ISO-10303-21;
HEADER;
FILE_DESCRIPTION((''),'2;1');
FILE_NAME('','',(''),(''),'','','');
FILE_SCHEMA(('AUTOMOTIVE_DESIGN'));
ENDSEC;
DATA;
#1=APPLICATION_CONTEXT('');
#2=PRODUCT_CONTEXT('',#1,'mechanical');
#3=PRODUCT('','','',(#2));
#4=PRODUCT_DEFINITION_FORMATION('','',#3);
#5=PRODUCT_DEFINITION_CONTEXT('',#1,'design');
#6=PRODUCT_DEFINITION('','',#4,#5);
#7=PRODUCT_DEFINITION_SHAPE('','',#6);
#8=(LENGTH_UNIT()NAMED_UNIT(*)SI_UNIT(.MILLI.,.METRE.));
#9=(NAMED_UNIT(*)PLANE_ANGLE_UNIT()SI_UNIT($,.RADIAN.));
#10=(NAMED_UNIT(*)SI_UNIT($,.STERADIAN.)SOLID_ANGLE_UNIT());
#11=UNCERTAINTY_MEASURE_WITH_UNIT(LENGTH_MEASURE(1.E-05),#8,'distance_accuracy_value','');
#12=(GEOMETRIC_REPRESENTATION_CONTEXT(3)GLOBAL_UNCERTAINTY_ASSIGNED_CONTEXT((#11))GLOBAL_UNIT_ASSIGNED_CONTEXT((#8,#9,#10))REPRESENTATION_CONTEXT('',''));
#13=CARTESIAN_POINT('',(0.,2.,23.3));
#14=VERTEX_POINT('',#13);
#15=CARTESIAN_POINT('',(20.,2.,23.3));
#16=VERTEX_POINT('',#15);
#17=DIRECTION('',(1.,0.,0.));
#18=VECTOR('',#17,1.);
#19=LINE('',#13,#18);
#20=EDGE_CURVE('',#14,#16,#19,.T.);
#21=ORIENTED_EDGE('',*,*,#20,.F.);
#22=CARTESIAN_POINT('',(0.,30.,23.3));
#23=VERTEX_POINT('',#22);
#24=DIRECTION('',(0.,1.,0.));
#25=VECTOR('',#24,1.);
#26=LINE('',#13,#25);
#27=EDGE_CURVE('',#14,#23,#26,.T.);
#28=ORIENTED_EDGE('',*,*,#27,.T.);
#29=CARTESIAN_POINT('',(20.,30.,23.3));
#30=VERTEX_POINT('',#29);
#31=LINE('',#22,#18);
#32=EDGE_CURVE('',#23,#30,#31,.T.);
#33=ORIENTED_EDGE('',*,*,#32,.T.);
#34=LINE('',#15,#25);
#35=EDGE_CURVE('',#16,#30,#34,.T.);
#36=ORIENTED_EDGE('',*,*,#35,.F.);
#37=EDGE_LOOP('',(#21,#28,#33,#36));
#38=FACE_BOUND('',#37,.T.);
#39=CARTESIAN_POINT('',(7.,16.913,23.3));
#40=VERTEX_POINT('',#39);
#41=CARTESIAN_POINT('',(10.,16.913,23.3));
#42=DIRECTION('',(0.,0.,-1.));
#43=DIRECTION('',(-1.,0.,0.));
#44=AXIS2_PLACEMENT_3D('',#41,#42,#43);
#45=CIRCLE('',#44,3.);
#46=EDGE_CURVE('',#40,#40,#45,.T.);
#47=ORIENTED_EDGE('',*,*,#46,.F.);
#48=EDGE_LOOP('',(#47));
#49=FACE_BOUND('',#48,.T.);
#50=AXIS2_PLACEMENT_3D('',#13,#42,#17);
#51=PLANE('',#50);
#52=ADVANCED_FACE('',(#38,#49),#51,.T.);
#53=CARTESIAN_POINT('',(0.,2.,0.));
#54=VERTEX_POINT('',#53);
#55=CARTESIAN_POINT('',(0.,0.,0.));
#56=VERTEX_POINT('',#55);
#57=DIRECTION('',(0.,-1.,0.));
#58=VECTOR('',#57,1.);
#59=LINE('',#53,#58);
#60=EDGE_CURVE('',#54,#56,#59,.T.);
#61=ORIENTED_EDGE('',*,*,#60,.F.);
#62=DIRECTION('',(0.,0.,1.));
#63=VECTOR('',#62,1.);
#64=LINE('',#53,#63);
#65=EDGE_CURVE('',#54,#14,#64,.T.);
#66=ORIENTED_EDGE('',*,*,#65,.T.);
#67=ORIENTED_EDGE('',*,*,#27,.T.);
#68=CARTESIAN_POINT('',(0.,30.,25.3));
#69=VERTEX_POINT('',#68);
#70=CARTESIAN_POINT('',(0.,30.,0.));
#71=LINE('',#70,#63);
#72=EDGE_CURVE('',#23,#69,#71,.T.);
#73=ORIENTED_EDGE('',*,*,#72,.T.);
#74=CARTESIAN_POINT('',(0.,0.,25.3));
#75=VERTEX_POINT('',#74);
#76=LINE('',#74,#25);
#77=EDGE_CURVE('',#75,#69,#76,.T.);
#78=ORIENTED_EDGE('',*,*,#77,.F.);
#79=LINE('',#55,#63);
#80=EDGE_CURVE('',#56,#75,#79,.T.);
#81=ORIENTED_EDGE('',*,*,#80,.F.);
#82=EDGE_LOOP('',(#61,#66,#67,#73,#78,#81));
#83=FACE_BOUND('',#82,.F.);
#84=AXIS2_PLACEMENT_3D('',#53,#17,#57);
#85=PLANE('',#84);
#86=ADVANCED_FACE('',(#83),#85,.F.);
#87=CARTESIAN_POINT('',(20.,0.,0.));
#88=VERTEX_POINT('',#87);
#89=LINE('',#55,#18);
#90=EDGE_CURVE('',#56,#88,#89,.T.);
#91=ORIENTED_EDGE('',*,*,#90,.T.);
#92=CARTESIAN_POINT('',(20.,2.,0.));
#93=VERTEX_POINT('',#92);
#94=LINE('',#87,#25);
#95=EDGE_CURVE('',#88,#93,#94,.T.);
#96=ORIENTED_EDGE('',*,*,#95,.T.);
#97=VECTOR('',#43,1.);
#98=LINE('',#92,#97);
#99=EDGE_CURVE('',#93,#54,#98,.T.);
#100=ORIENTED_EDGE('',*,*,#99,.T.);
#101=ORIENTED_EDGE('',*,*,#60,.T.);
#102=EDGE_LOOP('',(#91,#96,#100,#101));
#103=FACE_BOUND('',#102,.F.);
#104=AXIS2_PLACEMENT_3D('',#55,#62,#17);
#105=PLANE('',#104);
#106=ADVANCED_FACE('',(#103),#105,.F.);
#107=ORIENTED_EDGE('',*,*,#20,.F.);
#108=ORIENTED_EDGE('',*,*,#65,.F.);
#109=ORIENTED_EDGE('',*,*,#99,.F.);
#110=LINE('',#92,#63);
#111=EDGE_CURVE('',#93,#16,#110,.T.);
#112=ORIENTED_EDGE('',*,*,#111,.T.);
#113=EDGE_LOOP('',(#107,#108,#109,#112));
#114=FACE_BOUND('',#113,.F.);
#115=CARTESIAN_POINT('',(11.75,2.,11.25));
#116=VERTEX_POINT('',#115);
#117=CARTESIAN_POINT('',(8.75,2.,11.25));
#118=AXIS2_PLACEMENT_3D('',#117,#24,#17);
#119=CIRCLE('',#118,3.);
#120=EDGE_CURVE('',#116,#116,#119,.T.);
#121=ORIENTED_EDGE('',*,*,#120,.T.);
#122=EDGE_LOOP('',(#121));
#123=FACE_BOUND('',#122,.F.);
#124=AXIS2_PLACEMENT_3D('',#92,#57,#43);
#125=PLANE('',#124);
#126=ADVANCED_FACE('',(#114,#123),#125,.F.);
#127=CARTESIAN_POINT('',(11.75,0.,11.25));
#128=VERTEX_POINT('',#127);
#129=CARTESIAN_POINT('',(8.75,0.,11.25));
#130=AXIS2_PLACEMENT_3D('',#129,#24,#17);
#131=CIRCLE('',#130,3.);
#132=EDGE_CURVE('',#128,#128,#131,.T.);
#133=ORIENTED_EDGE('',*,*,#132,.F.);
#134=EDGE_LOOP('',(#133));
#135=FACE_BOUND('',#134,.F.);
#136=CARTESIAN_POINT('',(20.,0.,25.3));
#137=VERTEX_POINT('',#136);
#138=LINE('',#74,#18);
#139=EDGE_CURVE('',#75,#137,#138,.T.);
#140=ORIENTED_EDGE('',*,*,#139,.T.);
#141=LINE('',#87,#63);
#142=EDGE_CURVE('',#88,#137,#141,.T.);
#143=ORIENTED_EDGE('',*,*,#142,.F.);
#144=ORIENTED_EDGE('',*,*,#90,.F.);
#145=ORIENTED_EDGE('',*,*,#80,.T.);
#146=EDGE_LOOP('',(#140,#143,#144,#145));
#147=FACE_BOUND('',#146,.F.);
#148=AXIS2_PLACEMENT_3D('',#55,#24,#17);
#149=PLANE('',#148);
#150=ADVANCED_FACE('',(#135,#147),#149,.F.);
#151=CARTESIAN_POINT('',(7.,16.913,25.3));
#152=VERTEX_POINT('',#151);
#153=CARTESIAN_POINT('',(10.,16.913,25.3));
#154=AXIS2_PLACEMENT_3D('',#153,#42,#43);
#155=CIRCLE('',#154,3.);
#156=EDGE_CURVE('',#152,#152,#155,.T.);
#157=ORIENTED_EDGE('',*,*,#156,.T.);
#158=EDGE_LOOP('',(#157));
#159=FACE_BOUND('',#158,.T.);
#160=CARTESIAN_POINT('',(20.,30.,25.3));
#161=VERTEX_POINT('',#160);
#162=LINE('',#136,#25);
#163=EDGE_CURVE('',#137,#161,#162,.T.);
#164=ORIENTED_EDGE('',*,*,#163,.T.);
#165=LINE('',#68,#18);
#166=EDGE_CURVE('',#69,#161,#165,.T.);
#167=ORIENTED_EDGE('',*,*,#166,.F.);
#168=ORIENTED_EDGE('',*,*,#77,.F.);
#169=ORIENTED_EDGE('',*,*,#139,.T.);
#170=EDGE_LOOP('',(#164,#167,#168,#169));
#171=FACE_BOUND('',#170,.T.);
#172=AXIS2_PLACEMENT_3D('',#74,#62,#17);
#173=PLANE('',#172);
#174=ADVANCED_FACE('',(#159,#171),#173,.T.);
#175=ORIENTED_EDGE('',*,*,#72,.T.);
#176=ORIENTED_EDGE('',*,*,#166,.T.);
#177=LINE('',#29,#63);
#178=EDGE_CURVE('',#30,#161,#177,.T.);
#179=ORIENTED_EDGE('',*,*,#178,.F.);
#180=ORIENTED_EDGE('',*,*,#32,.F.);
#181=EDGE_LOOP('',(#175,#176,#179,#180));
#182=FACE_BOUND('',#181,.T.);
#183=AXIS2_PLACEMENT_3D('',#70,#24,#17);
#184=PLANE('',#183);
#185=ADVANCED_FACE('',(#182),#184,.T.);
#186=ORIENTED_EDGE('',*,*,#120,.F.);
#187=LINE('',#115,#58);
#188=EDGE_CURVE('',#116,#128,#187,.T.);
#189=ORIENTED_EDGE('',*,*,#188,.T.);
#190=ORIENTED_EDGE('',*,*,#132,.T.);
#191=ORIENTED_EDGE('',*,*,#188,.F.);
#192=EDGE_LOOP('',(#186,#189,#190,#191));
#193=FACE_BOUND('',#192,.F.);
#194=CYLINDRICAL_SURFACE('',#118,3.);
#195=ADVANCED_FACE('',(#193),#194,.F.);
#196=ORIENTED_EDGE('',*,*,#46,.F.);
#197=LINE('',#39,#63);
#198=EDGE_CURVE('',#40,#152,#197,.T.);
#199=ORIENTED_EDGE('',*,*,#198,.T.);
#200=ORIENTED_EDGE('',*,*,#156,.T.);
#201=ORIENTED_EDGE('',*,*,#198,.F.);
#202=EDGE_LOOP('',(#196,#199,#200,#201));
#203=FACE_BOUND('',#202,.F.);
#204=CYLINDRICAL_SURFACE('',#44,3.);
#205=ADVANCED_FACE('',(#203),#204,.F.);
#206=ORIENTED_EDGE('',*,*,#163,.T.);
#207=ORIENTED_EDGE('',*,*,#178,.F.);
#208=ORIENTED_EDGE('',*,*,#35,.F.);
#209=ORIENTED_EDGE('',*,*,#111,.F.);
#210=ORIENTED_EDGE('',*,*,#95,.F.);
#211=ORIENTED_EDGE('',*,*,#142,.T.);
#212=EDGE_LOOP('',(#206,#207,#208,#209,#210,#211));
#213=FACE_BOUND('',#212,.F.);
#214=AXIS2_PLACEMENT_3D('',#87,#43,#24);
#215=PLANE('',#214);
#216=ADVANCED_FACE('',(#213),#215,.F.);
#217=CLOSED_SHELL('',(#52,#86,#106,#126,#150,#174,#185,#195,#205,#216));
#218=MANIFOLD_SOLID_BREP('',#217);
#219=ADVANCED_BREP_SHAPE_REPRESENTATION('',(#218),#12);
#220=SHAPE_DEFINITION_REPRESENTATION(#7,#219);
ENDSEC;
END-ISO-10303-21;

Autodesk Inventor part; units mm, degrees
ref_plane "YZ Plane" through (0, 0, 0) normal (1, 0, 0) x (0, 1, 0)
ref_plane "XZ Plane" through (0, 0, 0) normal (0, 1, 0) x (-1, 0, 0)
ref_plane "XY Plane" through (0, 0, 0) normal (0, 0, 1) x (1, 0, 0)
sketch "Esboço1" plane through (0, 0, 0) normal (0, 0, 1) x (1, 0, 0)
  line L0 (0, 0) -> (20, 0)
  line L1 (20, 0) -> (20, 2)
  line L2 (20, 2) -> (0, 2)
  line L3 (0, 2) -> (0, 0)
  dimension "d0" = 20
  dimension "d1" = 2
extrude "Extrusão1" add sketch "Esboço1" along normal blind 25.3
sketch "Esboço2" plane through (0, 2, 0) normal (0, 1, 0) x (1, 0, 0)
  line L0 (0, -25.3) -> (20, -25.3) projected
  line L1 (0, 0) -> (0, -25.3) projected
  line L2 (20, -25.3) -> (0, -25.3)
  line L3 (0, -25.3) -> (0, -23.3)
  line L4 (0, -23.3) -> (20, -23.3)
  line L5 (20, -23.3) -> (20, -25.3)
  dimension "d4" = 2
extrude "Extrusão2" add sketch "Esboço2" along normal blind 28
sketch "Esboço3" plane through (0, 2, 0) normal (0, 1, 0) x (1, 0, 0)
  circle A0 centre (8.75, -11.25) radius 3
  line L0 (20, 0) -> (0, 0) projected
  line L1 (0, 0) -> (0, -23.3) projected
  dimension "d7" = 6
  dimension "d8" = 11.25
  dimension "d9" = 8.75
extrude "Extrusão3" cut sketch "Esboço3" against normal blind 28
sketch "Esboço4" plane through (20, 2, 23.3) normal (0, 0, -1) x (-1, 0, 0)
  circle A0 centre (10, 14.913) radius 3
  line L0 (20, 0) -> (20, 28) projected
  line L1 (0, 28) -> (20, 28) projected
  line L2 (0, 0) -> (20, 0) projected
  point P0 (20, -2)
  dimension "d12" = 6
  dimension "d13" = 10
  dimension "d17" = 14.913
extrude "Extrusão4" cut sketch "Esboço4" against normal blind 28
properties part number "Fixador acelerometro dianteiro"
